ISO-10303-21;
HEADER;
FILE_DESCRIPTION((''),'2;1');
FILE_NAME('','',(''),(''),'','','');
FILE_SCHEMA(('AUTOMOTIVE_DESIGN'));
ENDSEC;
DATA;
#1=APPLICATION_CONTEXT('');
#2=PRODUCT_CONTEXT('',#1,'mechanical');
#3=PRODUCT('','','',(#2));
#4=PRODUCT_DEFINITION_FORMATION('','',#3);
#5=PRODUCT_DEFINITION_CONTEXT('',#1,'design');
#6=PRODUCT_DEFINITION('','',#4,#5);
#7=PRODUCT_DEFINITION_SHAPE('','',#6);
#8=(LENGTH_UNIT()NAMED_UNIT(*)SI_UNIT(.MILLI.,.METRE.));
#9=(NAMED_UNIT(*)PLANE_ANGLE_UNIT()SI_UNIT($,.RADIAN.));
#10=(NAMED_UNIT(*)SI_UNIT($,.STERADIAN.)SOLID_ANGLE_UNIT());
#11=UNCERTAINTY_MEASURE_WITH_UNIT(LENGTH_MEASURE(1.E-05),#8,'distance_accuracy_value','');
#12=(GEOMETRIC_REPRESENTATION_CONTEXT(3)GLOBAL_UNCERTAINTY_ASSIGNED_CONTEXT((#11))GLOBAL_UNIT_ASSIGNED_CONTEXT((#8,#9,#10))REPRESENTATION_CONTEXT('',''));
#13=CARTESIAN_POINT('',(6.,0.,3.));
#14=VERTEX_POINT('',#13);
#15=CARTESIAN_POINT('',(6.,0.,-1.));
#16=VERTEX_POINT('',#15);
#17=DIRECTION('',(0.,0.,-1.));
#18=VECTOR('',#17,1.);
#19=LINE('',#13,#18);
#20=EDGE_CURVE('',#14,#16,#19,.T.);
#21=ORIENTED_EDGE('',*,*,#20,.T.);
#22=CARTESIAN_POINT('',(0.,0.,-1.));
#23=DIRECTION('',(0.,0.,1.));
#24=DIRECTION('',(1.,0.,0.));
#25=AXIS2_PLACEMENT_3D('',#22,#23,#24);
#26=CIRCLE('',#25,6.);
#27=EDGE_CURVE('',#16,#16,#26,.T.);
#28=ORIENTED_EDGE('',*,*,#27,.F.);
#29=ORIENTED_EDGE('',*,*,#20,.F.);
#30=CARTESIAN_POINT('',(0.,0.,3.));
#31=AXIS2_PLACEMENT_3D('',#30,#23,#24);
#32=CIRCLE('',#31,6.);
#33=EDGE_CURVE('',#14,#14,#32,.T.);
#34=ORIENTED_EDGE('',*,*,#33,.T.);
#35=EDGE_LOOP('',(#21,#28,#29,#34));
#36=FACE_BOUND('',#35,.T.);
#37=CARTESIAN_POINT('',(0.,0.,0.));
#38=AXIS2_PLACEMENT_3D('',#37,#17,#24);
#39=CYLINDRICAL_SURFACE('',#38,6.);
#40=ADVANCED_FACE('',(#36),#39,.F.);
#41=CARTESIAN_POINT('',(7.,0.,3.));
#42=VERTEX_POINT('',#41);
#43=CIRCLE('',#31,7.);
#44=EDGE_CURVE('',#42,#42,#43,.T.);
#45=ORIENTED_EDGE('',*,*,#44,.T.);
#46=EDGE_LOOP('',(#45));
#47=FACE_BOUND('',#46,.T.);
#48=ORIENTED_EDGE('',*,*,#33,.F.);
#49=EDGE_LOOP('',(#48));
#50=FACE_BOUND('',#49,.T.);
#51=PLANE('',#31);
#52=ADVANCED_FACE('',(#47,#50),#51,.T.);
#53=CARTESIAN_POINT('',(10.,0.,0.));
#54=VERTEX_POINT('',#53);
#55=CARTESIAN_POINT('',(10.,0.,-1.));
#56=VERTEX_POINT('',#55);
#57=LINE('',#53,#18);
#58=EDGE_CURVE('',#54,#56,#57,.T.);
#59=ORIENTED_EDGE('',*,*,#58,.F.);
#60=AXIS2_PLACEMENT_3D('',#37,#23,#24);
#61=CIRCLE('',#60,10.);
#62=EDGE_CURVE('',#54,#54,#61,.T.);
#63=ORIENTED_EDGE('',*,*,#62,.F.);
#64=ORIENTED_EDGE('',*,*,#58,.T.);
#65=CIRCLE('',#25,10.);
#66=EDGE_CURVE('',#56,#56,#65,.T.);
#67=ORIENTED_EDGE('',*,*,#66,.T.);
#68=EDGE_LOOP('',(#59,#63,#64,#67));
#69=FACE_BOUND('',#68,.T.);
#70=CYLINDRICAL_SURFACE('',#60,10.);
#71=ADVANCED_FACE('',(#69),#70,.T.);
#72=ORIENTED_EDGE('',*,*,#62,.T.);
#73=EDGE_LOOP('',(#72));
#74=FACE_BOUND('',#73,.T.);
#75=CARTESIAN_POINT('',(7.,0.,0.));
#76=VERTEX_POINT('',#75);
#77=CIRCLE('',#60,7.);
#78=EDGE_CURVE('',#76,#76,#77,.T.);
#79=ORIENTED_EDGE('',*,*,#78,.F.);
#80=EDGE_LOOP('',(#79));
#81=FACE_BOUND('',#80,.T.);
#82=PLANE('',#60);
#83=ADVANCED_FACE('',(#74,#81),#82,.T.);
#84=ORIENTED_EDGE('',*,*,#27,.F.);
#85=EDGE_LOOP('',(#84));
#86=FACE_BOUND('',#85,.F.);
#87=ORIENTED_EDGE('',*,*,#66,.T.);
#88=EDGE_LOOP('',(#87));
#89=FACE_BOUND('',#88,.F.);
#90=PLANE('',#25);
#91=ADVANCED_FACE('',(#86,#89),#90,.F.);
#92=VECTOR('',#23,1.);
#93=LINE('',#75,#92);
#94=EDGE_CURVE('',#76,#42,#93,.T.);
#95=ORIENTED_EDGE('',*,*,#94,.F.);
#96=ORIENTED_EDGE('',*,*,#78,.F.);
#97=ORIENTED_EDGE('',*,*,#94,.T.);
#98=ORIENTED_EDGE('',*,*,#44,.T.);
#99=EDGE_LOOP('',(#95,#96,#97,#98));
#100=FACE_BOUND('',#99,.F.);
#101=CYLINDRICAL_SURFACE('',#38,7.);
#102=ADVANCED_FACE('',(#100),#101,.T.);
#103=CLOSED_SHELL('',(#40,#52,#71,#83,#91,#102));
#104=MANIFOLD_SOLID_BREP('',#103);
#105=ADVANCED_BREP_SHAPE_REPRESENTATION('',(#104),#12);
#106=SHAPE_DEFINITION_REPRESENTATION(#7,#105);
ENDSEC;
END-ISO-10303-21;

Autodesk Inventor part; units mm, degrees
ref_plane "YZ Plane" through (0, 0, 0) normal (1, 0, 0) x (0, 1, 0)
ref_plane "XZ Plane" through (0, 0, 0) normal (0, 1, 0) x (-1, 0, 0)
ref_plane "XY Plane" through (0, 0, 0) normal (0, 0, 1) x (1, 0, 0)
sketch "スケッチ1" plane through (0, 0, 0) normal (0, 0, 1) x (1, 0, 0)
  circle A0 centre (0, 0) radius 6
  circle A1 centre (0, 0) radius 7
  circle A2 centre (0, 0) radius 10
  dimension "d0" = 12
  dimension "d1" = 14
  dimension "d4" = 20
extrude "押し出し1" add sketch "スケッチ1" along normal blind 3 contours A1
extrude "押し出し2" add sketch "スケッチ1" against normal blind 1 contours A1 | A2
properties part number "フランジブッシュ　d12-14-F20" material "アセタール樹脂、黒"
